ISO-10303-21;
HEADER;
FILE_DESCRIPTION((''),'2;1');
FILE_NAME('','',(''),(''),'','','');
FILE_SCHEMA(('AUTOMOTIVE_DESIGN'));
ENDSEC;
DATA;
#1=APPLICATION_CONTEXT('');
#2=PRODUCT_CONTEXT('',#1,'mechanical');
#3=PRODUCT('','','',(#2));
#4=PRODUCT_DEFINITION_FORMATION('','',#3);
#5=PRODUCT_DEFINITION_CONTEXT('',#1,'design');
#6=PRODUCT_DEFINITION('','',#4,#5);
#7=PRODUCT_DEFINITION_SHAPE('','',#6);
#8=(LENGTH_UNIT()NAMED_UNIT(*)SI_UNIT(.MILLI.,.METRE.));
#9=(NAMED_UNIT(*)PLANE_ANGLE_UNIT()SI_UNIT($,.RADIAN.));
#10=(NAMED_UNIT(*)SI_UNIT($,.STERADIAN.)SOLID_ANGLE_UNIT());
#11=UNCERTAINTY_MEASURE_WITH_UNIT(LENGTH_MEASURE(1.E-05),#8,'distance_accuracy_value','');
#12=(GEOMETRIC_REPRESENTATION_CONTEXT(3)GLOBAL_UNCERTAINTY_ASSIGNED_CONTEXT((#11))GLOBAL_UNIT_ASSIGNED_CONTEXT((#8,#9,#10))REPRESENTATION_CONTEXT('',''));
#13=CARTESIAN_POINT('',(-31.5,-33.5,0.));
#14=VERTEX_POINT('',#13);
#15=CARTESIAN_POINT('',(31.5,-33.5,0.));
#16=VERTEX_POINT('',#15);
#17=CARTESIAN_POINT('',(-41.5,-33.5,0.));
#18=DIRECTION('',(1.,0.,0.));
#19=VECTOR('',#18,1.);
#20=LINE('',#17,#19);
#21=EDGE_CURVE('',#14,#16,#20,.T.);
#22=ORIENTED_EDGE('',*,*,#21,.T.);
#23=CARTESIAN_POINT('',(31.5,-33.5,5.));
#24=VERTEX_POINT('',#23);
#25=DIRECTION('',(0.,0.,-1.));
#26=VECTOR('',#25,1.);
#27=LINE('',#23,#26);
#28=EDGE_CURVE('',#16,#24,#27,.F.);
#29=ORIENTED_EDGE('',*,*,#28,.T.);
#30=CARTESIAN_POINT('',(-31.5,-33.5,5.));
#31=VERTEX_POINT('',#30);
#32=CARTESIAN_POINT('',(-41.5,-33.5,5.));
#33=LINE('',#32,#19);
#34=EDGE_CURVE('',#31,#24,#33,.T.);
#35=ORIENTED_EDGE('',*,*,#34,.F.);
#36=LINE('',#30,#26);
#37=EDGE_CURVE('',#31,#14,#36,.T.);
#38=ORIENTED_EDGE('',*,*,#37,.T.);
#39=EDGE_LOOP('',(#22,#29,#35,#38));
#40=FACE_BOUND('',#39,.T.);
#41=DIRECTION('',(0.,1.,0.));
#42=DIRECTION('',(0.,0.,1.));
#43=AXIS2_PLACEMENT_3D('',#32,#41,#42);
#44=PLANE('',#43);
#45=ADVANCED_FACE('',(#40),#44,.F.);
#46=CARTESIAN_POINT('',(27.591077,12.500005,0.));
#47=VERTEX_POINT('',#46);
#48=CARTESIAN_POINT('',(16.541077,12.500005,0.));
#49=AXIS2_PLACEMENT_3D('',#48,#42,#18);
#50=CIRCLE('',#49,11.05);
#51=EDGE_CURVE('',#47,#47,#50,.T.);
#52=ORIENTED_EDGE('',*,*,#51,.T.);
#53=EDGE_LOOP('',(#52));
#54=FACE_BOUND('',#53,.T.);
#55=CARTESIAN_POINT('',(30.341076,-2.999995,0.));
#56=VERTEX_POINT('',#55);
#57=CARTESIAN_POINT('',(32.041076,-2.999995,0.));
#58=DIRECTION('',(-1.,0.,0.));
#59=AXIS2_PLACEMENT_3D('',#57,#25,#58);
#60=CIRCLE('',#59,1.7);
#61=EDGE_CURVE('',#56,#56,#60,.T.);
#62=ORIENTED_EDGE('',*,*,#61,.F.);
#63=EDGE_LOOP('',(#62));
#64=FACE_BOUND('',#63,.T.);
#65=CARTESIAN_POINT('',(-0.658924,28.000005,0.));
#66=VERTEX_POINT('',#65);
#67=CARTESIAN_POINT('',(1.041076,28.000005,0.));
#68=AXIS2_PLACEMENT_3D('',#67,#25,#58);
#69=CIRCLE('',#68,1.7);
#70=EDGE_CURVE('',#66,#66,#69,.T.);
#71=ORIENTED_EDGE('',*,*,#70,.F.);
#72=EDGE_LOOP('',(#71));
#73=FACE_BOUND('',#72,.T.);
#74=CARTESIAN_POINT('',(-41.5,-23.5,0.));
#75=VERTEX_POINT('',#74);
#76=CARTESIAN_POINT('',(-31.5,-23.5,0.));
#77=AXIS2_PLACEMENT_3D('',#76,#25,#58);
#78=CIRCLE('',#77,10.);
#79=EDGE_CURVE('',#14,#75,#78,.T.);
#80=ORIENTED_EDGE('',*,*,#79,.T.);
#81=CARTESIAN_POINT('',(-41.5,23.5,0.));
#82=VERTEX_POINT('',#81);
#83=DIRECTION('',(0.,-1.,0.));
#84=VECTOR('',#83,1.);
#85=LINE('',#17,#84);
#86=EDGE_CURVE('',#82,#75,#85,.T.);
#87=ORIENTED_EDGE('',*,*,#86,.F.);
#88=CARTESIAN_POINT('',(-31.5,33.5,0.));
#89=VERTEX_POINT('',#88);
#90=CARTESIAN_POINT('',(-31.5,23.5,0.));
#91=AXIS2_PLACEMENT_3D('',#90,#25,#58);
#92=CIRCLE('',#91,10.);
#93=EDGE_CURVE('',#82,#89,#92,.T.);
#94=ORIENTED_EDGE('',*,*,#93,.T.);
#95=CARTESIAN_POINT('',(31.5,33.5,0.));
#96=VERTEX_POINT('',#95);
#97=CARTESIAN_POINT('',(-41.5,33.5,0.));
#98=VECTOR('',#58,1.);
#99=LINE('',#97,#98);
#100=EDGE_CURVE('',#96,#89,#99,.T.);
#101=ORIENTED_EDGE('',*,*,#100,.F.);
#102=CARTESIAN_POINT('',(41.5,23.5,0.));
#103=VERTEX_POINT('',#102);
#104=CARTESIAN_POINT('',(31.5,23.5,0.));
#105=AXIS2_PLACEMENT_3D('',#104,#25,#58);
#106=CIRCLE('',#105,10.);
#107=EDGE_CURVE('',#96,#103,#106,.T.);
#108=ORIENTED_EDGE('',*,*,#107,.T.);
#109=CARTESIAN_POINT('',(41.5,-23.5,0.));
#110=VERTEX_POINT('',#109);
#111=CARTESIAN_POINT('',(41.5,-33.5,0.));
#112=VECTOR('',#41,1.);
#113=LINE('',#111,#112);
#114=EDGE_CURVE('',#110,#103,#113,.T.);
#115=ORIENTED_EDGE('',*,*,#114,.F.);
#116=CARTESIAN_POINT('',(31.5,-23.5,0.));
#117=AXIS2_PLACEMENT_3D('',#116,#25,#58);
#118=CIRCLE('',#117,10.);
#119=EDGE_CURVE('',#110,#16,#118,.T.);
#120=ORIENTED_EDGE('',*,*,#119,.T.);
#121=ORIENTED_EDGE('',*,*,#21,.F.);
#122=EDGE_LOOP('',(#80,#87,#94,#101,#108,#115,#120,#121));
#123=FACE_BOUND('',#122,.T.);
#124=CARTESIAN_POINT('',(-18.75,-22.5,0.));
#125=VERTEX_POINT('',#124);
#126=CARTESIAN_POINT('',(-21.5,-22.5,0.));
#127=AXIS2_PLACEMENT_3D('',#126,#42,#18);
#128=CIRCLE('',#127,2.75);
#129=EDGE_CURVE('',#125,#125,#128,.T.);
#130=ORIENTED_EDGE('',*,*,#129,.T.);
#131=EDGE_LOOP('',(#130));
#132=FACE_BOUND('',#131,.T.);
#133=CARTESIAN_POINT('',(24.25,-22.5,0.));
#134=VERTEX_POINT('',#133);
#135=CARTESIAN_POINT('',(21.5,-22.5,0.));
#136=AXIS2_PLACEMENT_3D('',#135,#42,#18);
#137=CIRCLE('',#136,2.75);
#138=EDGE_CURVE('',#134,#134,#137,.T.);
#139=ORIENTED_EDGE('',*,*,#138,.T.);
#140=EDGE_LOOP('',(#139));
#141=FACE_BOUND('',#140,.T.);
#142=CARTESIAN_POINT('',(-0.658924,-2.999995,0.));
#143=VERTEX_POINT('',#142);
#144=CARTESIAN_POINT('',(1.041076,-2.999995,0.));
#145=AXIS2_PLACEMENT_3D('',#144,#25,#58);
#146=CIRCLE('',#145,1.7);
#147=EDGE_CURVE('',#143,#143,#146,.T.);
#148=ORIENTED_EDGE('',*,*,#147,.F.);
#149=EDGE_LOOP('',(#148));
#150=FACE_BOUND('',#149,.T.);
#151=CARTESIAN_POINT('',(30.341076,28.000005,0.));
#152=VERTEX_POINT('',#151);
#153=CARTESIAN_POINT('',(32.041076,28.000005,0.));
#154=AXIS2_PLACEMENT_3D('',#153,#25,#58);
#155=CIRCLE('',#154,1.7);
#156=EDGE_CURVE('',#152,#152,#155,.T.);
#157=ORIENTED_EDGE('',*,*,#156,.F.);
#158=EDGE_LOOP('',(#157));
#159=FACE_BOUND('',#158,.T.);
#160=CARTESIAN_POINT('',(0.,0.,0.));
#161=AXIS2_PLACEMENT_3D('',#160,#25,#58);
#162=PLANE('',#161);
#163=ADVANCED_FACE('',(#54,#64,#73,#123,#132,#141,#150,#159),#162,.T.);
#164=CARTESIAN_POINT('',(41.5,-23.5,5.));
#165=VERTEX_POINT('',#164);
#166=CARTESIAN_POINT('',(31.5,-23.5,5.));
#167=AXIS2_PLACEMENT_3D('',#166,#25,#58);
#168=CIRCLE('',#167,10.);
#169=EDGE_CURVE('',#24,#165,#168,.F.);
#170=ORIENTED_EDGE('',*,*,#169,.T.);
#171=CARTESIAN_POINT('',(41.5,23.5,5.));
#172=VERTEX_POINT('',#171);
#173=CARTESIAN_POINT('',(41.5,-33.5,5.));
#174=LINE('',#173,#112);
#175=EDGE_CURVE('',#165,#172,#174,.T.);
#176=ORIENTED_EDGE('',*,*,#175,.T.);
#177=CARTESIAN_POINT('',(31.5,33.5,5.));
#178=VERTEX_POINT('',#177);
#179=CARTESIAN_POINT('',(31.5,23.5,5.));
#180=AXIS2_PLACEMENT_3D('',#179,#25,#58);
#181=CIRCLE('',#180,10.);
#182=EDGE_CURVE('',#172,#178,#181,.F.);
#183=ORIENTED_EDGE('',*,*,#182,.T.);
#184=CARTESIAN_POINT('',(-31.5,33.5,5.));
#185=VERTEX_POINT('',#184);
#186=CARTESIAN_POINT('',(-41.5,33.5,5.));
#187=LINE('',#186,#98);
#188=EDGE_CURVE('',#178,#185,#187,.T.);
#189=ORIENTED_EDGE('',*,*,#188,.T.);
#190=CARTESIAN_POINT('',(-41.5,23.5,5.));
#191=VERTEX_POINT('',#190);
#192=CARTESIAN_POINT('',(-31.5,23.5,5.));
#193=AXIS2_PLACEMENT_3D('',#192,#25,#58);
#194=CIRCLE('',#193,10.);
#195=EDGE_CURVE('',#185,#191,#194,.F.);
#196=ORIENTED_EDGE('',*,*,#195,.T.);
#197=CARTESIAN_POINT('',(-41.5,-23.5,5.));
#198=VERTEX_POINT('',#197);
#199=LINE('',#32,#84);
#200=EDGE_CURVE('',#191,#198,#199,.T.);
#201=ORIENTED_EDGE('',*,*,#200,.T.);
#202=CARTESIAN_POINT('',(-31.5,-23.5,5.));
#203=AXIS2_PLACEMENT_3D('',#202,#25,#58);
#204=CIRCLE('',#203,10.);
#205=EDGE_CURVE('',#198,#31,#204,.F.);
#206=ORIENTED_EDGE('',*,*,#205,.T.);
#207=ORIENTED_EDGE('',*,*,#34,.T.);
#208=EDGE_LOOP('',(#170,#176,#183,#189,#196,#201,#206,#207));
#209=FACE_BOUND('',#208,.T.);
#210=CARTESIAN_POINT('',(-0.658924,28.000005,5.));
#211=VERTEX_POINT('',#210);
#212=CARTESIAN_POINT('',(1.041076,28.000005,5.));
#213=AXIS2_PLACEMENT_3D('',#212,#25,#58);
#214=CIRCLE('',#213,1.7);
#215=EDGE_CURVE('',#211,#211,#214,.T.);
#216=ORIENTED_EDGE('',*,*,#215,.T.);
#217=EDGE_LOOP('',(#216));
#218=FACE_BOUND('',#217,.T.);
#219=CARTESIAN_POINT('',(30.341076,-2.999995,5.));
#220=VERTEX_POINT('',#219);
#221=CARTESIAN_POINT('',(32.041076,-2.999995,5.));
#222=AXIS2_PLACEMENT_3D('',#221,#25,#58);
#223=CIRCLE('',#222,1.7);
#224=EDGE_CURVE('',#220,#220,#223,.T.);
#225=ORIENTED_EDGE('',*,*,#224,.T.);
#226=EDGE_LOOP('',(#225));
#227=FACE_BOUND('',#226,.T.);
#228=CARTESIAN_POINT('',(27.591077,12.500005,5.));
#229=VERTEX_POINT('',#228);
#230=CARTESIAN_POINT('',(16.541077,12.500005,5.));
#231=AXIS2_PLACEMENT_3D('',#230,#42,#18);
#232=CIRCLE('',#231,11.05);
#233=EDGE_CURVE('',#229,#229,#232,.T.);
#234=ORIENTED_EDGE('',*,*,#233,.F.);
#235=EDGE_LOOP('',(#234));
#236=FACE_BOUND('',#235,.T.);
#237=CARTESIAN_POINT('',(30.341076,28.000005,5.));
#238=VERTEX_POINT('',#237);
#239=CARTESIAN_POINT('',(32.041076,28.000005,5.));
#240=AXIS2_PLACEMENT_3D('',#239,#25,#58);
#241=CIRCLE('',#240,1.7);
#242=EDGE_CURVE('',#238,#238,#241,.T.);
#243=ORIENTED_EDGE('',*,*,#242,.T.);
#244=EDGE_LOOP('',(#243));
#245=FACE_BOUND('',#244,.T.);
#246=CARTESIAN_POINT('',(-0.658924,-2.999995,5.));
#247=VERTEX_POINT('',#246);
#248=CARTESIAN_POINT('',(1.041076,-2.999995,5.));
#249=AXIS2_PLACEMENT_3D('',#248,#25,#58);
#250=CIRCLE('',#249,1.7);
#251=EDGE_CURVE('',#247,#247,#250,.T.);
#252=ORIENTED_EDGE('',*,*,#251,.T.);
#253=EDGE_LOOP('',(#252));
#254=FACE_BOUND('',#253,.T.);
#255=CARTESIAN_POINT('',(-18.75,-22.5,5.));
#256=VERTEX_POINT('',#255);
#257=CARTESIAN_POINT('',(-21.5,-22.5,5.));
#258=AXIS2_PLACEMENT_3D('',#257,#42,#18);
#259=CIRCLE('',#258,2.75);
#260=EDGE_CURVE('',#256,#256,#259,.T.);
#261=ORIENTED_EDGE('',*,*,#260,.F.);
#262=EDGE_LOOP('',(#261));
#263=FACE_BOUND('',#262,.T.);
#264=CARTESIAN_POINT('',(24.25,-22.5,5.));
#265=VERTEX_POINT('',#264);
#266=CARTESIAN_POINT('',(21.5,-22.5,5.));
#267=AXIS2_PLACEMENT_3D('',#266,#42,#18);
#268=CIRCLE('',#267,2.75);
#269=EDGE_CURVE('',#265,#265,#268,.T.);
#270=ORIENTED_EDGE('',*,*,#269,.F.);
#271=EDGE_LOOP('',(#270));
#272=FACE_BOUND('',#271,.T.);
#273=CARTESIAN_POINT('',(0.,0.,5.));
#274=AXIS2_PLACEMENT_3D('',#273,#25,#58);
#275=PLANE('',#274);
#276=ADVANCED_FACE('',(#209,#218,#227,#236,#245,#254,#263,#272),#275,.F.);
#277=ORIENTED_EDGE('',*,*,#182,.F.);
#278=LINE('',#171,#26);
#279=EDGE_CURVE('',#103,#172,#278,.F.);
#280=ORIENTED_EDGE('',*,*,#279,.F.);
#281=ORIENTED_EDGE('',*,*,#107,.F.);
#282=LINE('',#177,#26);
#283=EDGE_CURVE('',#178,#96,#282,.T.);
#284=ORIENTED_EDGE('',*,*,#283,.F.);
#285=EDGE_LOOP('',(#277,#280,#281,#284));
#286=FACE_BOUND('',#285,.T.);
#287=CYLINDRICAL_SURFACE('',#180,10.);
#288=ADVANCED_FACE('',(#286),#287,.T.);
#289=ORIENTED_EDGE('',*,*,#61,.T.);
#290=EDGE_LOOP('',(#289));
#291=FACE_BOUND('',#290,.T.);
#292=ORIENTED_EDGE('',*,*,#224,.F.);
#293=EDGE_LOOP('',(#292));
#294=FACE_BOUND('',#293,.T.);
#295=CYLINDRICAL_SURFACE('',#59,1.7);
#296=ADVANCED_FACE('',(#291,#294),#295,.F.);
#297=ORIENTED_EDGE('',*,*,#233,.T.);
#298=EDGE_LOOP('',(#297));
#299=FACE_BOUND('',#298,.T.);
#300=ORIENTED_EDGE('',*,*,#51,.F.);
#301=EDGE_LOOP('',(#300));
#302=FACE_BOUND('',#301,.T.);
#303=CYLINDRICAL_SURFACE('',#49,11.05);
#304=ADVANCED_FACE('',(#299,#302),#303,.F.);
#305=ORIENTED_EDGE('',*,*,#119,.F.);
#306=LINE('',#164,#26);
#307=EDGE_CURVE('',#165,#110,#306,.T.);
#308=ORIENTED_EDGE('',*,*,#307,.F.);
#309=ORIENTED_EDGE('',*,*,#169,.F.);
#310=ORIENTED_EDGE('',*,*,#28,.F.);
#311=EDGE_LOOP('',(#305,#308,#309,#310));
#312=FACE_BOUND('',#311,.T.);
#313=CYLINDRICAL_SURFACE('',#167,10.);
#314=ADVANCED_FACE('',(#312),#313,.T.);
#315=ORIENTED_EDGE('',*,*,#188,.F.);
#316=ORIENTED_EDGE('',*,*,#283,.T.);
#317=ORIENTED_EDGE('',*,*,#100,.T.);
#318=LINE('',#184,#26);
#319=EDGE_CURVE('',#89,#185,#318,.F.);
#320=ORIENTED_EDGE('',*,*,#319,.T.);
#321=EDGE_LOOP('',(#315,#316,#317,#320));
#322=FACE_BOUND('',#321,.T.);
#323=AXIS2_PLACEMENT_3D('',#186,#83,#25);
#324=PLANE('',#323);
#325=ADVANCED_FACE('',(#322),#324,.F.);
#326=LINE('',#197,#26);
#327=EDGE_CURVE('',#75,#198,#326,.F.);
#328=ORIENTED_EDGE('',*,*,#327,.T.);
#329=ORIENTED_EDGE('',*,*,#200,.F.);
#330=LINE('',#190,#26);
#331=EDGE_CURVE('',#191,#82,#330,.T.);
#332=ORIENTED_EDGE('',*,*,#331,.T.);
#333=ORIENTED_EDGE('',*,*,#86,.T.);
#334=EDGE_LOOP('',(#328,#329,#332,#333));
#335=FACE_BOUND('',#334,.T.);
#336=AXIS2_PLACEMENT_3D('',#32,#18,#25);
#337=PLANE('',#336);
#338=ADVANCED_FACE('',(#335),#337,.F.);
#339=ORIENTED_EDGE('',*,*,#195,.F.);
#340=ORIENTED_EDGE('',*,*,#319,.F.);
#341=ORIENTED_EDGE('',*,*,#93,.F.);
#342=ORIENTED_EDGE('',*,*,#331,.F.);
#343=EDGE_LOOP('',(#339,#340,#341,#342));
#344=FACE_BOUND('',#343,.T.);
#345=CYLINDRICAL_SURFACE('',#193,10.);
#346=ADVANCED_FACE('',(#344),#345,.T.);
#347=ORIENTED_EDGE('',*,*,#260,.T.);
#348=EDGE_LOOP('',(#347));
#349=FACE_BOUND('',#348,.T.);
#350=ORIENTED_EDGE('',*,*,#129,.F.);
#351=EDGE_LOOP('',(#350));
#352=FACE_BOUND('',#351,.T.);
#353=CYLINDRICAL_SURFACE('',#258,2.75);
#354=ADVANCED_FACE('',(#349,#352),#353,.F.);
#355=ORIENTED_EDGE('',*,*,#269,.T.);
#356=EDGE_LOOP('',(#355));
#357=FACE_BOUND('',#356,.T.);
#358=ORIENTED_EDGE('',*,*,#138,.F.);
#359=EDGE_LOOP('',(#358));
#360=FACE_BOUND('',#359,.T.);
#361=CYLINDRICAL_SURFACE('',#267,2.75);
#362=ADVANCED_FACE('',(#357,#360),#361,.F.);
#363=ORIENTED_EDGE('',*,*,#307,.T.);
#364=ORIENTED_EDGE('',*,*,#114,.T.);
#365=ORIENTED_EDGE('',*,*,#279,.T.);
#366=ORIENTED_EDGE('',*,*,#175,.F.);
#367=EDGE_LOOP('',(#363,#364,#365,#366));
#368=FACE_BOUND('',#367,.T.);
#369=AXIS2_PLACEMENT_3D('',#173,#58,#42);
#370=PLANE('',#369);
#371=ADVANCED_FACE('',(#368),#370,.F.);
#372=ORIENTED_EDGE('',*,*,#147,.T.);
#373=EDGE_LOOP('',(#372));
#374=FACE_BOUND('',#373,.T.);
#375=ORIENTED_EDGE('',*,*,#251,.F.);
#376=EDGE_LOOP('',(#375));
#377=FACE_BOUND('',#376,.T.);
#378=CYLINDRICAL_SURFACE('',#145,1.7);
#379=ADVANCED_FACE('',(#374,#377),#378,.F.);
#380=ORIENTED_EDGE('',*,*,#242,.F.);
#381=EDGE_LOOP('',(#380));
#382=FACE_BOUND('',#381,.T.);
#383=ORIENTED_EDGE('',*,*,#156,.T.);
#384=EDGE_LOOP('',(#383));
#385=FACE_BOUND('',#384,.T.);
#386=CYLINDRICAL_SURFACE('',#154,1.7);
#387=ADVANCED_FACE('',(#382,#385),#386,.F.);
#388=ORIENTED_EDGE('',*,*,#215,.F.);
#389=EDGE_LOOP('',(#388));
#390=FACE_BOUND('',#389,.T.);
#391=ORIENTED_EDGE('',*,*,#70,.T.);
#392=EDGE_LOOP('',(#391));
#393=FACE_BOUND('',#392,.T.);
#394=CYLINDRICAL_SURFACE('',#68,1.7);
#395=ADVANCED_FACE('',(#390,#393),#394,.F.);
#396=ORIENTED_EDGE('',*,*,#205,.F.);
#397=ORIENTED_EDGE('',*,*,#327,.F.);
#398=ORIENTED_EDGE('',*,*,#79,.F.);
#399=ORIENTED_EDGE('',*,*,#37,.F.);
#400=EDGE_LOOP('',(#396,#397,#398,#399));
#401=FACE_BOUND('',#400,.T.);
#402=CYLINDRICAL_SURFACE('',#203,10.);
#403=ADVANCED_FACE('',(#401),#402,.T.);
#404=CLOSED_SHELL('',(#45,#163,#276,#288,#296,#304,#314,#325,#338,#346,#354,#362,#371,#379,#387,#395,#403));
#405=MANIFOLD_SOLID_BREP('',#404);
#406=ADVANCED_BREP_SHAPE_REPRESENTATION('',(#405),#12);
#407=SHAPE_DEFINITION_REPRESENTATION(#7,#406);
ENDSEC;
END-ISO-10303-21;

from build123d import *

# Parameters (mm, degrees)
SKETCH1_W            = 83
SKETCH1_H            = 67
BOSS_EXTRUDE1_DEPTH  = 5
M5_CLEARANCE_HOLE1_D = 5.5
M3_CLEARANCE_HOLE1_D = 3.4
SKETCH6_R            = 11.05
CUT_EXTRUDE1_DEPTH   = 6
FILLET1_R            = 10


with BuildPart() as part:
    # Sketch1 → Boss-Extrude1 (new body)
    with BuildSketch(Plane.XY):
        Rectangle(SKETCH1_W, SKETCH1_H)
    extrude(amount=BOSS_EXTRUDE1_DEPTH)

    # M5 Clearance Hole1 (through all)
    with Locations(Plane.XY.offset(5)):
        with Locations((21.5, -22.5), (-21.5, -22.5)):
            Hole(M5_CLEARANCE_HOLE1_D / 2)

    # M3 Clearance Hole1 (through all)
    with Locations(Plane(origin=(0, 0, 0), x_dir=(-1, 0, 0), z_dir=(0, 0, -1))):
        with Locations((-32.041076253, 28.00000478), (-1.041076253, 28.00000478), (-1.041076253, -2.99999522), (-32.041076253, -2.99999522)):
            Hole(M3_CLEARANCE_HOLE1_D / 2)

    # Sketch6 → Cut-Extrude1 (cut, through all)
    with BuildSketch(Plane.XY.offset(5)):
        with Locations((16.541076624, 12.500005008)):
            Circle(SKETCH6_R)
    extrude(amount=-CUT_EXTRUDE1_DEPTH, mode=Mode.SUBTRACT)

    # Fillet1
    fillet1_edges = [part.edges().sort_by_distance(p)[0] for p in [
        (41.5, -33.5, 2.5),
        (-41.5, -33.5, 2.5),
        (-41.5, 33.5, 2.5),
        (41.5, 33.5, 2.5),
    ]]
    fillet(fillet1_edges, radius=FILLET1_R)


solid = part.part
